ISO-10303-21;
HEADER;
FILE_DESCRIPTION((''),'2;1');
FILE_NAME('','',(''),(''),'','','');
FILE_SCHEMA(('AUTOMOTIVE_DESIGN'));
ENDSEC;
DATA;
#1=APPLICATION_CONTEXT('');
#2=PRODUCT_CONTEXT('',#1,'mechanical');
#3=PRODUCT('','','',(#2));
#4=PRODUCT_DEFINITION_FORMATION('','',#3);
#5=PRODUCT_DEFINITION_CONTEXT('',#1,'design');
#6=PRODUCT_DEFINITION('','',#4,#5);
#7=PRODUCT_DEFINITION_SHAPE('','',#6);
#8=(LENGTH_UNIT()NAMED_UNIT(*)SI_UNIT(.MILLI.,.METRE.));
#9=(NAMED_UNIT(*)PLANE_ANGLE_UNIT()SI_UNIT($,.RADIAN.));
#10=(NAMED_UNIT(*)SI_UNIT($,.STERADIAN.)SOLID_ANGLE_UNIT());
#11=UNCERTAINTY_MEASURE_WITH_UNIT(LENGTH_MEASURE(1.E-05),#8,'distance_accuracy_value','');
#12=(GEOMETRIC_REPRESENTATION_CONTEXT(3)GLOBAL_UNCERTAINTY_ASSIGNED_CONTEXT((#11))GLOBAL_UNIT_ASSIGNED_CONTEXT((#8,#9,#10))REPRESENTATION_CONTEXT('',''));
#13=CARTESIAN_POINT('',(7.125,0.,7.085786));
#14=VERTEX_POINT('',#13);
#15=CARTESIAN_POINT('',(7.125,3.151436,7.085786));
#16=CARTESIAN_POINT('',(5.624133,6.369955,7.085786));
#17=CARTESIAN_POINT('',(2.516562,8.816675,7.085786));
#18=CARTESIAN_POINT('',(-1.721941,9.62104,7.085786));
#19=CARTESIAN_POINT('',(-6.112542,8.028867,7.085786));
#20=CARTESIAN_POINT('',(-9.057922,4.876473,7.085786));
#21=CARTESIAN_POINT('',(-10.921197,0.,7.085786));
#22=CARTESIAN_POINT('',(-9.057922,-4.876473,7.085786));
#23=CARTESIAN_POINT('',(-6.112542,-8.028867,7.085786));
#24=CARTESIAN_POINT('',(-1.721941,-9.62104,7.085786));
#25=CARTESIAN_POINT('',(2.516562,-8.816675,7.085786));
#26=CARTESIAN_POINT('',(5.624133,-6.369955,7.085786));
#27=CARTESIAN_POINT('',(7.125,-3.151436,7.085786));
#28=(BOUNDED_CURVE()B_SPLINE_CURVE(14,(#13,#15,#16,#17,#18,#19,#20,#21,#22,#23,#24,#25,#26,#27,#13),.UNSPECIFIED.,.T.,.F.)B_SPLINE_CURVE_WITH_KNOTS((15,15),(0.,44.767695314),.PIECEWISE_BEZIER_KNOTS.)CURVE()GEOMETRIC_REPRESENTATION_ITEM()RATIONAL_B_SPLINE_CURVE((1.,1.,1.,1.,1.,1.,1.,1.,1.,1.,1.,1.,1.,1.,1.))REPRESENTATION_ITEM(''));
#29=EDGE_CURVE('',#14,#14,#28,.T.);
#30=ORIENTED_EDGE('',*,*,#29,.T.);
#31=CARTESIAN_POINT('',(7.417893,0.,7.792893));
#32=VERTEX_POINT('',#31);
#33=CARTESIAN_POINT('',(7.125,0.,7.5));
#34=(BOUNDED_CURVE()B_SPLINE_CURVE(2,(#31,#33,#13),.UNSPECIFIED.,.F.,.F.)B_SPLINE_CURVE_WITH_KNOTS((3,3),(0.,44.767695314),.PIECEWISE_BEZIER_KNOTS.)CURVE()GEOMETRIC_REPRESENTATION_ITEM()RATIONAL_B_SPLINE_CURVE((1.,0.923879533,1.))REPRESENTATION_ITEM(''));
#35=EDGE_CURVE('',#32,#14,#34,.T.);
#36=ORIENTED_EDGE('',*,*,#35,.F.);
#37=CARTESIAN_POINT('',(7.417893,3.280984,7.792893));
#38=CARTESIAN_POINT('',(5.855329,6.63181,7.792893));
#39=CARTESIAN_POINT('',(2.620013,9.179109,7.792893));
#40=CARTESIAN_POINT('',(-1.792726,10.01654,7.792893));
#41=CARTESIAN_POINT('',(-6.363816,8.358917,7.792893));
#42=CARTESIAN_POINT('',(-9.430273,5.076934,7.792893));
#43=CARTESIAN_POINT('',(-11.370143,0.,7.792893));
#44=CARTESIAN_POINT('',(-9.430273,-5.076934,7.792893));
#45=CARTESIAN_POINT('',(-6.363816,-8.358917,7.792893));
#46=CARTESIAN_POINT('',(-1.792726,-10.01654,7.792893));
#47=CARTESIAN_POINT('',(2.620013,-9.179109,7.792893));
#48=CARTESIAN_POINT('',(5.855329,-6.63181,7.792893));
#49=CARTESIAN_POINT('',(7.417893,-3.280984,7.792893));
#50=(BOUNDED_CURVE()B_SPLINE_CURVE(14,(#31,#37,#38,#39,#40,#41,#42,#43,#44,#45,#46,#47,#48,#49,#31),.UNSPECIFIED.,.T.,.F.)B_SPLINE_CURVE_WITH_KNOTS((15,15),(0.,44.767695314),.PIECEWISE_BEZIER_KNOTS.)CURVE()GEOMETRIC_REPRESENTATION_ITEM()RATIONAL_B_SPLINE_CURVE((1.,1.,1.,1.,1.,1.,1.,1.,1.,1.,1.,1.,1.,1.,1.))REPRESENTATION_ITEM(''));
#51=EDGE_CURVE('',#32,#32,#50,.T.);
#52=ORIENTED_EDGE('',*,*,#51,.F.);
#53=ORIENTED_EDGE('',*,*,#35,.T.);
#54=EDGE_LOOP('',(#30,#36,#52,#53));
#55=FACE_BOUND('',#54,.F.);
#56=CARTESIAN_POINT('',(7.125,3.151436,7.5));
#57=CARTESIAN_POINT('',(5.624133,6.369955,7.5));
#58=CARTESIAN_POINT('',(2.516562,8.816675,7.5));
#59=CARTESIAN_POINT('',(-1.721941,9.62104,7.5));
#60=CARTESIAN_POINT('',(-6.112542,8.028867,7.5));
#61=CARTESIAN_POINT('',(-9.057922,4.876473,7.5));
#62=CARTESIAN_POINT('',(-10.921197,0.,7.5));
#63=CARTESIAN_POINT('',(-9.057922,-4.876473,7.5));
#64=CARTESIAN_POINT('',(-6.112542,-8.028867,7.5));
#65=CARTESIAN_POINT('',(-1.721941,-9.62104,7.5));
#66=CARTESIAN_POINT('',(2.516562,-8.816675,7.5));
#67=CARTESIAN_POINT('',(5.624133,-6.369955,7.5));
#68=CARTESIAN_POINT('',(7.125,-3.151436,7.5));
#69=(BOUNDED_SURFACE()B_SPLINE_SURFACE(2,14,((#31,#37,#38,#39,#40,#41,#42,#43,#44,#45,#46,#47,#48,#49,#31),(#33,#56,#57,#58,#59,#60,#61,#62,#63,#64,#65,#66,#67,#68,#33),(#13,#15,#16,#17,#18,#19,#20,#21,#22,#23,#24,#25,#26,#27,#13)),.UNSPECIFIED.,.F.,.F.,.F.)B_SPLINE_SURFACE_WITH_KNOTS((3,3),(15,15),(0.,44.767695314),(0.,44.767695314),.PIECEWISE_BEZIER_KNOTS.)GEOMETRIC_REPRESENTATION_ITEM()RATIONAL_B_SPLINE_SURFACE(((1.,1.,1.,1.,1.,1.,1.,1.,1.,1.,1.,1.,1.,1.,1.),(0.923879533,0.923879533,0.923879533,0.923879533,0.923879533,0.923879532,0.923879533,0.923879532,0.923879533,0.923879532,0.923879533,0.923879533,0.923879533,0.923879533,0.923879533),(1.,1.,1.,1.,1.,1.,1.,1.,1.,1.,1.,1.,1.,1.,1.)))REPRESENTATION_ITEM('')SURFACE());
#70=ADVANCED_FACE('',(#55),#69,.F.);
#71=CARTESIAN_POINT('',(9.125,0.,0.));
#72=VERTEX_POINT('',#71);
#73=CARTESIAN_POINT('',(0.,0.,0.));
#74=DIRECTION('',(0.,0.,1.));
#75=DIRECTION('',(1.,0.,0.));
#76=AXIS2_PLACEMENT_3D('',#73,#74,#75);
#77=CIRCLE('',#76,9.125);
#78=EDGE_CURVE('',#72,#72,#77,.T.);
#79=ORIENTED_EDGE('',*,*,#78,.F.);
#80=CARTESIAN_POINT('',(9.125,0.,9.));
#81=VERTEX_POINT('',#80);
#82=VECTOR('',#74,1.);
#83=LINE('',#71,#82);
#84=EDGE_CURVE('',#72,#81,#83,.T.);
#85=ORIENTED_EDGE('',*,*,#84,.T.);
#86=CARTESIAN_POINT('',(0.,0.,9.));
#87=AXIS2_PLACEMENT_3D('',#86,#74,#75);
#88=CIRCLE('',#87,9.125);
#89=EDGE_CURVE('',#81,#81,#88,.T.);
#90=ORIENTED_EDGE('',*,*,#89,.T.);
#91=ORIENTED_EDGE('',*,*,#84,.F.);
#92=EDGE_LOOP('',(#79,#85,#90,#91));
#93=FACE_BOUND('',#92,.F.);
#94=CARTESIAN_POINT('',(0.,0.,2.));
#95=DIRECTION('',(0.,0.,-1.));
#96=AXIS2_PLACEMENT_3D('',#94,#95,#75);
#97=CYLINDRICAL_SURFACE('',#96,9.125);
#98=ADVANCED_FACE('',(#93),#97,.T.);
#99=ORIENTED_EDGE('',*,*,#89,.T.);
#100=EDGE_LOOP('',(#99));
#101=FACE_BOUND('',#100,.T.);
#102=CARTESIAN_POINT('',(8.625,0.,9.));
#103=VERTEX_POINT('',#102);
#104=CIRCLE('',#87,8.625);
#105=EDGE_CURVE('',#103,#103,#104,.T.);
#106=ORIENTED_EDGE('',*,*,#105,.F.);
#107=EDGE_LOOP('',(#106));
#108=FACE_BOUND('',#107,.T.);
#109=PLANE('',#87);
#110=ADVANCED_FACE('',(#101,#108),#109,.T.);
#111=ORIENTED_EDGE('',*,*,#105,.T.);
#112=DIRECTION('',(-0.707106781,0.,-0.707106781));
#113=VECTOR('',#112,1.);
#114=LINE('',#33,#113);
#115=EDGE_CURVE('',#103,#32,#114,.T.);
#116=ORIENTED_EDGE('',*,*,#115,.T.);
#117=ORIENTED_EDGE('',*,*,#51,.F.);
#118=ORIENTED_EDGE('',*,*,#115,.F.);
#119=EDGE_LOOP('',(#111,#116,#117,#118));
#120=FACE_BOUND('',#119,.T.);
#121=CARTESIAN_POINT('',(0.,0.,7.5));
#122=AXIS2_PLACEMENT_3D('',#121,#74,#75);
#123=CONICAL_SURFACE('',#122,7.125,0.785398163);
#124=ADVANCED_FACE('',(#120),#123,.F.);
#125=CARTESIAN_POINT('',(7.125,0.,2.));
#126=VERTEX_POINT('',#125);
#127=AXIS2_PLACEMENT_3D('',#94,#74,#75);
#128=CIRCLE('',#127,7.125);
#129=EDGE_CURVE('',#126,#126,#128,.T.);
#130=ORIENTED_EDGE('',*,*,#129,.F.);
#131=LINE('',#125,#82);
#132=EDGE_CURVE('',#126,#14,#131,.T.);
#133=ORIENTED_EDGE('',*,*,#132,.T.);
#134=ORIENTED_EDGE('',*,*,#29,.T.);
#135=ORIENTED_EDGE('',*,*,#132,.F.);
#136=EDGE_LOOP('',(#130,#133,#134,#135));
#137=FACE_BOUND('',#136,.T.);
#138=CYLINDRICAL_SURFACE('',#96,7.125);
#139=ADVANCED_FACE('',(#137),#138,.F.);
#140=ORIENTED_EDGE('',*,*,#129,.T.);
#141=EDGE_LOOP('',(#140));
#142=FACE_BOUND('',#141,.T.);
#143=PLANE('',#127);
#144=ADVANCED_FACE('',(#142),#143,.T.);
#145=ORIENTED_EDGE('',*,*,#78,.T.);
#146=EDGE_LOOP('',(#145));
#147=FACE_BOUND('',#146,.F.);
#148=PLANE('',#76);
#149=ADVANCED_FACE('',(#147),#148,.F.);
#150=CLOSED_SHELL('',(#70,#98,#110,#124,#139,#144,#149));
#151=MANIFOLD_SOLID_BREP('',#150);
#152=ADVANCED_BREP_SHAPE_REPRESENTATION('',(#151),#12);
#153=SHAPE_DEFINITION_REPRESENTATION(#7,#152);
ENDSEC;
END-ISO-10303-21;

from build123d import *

# Parameters (mm, degrees)
SKETCH_R      = 9.125
PAD_DEPTH     = 2
SKETCH001_R   = 9.125
SKETCH001_R_2 = 7.125
PAD001_DEPTH  = 7
CHAMFER_SIZE  = 1.5
FILLET_R      = 1


with BuildPart() as part:
    # Sketch → Pad (new body)
    with BuildSketch(Plane.XY):
        Circle(SKETCH_R)
    extrude(amount=PAD_DEPTH)

    # Sketch001 (on Face3 of Pad) → Pad001 (join)
    with BuildSketch(Plane.XY.offset(2)):
        Circle(SKETCH001_R)
        Circle(SKETCH001_R_2, mode=Mode.SUBTRACT)
    extrude(amount=PAD001_DEPTH)

    # Chamfer
    chamfer_edges = [part.edges().sort_by_distance(p)[0] for p in [
        (-7.125, 0, 9),
    ]]
    chamfer(chamfer_edges, length=CHAMFER_SIZE)

    # Fillet
    fillet_edges = [part.edges().sort_by_distance(p)[0] for p in [
        (-7.125, 0, 7.5),
    ]]
    fillet(fillet_edges, radius=FILLET_R)


solid = part.part
